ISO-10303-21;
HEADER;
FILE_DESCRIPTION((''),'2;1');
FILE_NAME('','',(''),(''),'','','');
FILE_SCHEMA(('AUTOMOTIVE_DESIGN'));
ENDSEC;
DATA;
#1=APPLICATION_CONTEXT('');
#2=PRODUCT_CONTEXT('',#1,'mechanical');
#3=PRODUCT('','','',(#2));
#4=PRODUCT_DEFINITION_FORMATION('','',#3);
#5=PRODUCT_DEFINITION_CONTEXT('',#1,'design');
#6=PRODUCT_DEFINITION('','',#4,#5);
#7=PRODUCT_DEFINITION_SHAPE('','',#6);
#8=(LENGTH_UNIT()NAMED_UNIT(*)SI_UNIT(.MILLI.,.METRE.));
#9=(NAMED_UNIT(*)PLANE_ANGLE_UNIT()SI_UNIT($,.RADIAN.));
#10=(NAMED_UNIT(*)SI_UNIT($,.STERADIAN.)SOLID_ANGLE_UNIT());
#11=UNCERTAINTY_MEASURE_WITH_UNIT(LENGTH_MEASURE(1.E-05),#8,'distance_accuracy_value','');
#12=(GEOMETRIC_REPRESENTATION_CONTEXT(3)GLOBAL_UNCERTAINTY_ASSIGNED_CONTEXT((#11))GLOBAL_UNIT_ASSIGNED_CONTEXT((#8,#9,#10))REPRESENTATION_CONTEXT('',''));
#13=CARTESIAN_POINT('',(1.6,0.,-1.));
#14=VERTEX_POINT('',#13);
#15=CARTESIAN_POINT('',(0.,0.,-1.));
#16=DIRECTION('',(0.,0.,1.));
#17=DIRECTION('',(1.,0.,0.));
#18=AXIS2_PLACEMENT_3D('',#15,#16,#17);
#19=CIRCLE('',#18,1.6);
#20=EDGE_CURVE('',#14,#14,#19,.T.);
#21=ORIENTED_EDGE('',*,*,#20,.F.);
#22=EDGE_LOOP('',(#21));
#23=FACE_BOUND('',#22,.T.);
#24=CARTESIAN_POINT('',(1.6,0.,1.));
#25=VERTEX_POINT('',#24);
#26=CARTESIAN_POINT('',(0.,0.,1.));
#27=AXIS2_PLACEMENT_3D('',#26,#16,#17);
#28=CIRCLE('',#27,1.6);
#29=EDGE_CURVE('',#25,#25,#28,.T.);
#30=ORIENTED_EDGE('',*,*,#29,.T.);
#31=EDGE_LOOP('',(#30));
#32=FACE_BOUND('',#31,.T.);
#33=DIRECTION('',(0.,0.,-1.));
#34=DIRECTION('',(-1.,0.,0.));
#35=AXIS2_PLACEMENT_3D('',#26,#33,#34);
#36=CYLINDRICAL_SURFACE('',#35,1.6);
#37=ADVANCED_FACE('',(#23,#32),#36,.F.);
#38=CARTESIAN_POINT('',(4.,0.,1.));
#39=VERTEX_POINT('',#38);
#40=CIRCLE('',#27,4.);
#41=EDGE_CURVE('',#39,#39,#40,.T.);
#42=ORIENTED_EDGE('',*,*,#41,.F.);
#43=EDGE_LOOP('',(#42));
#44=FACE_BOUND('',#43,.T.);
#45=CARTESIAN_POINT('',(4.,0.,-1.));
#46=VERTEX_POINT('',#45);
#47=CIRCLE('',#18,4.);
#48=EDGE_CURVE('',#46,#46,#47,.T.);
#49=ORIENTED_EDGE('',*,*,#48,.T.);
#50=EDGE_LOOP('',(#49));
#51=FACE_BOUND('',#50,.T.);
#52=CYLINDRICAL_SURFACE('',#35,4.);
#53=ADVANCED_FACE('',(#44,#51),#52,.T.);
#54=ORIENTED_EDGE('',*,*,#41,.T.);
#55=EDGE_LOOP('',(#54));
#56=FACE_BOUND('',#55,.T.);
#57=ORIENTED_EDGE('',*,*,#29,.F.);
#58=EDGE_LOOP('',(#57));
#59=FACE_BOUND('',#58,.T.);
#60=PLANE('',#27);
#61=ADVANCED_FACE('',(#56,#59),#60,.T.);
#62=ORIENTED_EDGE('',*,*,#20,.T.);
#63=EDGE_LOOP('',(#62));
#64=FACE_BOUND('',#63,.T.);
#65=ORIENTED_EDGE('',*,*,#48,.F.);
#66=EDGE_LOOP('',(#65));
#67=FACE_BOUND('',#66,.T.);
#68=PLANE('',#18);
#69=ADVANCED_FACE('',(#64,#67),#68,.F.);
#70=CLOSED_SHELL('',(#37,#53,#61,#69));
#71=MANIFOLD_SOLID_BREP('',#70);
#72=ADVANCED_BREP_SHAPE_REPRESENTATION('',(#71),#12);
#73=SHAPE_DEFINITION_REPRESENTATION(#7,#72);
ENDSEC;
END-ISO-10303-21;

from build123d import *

# Parameters (mm, degrees)
EXTRUDE1_DEPTH      = 1
EXTRUDE1_DEPTH_BACK = 1
SKETCH1_R           = 4
SKETCH1_R_2         = 1.6


with BuildPart() as part:
    # Sketch1 → Extrude1 (new, two sides: drawn at the far end of the back side and taken through both)
    with BuildSketch(Plane.XY.offset(-EXTRUDE1_DEPTH_BACK)):
        Circle(SKETCH1_R)
        Circle(SKETCH1_R_2, mode=Mode.SUBTRACT)
    extrude(amount=EXTRUDE1_DEPTH + EXTRUDE1_DEPTH_BACK)


solid = part.part
